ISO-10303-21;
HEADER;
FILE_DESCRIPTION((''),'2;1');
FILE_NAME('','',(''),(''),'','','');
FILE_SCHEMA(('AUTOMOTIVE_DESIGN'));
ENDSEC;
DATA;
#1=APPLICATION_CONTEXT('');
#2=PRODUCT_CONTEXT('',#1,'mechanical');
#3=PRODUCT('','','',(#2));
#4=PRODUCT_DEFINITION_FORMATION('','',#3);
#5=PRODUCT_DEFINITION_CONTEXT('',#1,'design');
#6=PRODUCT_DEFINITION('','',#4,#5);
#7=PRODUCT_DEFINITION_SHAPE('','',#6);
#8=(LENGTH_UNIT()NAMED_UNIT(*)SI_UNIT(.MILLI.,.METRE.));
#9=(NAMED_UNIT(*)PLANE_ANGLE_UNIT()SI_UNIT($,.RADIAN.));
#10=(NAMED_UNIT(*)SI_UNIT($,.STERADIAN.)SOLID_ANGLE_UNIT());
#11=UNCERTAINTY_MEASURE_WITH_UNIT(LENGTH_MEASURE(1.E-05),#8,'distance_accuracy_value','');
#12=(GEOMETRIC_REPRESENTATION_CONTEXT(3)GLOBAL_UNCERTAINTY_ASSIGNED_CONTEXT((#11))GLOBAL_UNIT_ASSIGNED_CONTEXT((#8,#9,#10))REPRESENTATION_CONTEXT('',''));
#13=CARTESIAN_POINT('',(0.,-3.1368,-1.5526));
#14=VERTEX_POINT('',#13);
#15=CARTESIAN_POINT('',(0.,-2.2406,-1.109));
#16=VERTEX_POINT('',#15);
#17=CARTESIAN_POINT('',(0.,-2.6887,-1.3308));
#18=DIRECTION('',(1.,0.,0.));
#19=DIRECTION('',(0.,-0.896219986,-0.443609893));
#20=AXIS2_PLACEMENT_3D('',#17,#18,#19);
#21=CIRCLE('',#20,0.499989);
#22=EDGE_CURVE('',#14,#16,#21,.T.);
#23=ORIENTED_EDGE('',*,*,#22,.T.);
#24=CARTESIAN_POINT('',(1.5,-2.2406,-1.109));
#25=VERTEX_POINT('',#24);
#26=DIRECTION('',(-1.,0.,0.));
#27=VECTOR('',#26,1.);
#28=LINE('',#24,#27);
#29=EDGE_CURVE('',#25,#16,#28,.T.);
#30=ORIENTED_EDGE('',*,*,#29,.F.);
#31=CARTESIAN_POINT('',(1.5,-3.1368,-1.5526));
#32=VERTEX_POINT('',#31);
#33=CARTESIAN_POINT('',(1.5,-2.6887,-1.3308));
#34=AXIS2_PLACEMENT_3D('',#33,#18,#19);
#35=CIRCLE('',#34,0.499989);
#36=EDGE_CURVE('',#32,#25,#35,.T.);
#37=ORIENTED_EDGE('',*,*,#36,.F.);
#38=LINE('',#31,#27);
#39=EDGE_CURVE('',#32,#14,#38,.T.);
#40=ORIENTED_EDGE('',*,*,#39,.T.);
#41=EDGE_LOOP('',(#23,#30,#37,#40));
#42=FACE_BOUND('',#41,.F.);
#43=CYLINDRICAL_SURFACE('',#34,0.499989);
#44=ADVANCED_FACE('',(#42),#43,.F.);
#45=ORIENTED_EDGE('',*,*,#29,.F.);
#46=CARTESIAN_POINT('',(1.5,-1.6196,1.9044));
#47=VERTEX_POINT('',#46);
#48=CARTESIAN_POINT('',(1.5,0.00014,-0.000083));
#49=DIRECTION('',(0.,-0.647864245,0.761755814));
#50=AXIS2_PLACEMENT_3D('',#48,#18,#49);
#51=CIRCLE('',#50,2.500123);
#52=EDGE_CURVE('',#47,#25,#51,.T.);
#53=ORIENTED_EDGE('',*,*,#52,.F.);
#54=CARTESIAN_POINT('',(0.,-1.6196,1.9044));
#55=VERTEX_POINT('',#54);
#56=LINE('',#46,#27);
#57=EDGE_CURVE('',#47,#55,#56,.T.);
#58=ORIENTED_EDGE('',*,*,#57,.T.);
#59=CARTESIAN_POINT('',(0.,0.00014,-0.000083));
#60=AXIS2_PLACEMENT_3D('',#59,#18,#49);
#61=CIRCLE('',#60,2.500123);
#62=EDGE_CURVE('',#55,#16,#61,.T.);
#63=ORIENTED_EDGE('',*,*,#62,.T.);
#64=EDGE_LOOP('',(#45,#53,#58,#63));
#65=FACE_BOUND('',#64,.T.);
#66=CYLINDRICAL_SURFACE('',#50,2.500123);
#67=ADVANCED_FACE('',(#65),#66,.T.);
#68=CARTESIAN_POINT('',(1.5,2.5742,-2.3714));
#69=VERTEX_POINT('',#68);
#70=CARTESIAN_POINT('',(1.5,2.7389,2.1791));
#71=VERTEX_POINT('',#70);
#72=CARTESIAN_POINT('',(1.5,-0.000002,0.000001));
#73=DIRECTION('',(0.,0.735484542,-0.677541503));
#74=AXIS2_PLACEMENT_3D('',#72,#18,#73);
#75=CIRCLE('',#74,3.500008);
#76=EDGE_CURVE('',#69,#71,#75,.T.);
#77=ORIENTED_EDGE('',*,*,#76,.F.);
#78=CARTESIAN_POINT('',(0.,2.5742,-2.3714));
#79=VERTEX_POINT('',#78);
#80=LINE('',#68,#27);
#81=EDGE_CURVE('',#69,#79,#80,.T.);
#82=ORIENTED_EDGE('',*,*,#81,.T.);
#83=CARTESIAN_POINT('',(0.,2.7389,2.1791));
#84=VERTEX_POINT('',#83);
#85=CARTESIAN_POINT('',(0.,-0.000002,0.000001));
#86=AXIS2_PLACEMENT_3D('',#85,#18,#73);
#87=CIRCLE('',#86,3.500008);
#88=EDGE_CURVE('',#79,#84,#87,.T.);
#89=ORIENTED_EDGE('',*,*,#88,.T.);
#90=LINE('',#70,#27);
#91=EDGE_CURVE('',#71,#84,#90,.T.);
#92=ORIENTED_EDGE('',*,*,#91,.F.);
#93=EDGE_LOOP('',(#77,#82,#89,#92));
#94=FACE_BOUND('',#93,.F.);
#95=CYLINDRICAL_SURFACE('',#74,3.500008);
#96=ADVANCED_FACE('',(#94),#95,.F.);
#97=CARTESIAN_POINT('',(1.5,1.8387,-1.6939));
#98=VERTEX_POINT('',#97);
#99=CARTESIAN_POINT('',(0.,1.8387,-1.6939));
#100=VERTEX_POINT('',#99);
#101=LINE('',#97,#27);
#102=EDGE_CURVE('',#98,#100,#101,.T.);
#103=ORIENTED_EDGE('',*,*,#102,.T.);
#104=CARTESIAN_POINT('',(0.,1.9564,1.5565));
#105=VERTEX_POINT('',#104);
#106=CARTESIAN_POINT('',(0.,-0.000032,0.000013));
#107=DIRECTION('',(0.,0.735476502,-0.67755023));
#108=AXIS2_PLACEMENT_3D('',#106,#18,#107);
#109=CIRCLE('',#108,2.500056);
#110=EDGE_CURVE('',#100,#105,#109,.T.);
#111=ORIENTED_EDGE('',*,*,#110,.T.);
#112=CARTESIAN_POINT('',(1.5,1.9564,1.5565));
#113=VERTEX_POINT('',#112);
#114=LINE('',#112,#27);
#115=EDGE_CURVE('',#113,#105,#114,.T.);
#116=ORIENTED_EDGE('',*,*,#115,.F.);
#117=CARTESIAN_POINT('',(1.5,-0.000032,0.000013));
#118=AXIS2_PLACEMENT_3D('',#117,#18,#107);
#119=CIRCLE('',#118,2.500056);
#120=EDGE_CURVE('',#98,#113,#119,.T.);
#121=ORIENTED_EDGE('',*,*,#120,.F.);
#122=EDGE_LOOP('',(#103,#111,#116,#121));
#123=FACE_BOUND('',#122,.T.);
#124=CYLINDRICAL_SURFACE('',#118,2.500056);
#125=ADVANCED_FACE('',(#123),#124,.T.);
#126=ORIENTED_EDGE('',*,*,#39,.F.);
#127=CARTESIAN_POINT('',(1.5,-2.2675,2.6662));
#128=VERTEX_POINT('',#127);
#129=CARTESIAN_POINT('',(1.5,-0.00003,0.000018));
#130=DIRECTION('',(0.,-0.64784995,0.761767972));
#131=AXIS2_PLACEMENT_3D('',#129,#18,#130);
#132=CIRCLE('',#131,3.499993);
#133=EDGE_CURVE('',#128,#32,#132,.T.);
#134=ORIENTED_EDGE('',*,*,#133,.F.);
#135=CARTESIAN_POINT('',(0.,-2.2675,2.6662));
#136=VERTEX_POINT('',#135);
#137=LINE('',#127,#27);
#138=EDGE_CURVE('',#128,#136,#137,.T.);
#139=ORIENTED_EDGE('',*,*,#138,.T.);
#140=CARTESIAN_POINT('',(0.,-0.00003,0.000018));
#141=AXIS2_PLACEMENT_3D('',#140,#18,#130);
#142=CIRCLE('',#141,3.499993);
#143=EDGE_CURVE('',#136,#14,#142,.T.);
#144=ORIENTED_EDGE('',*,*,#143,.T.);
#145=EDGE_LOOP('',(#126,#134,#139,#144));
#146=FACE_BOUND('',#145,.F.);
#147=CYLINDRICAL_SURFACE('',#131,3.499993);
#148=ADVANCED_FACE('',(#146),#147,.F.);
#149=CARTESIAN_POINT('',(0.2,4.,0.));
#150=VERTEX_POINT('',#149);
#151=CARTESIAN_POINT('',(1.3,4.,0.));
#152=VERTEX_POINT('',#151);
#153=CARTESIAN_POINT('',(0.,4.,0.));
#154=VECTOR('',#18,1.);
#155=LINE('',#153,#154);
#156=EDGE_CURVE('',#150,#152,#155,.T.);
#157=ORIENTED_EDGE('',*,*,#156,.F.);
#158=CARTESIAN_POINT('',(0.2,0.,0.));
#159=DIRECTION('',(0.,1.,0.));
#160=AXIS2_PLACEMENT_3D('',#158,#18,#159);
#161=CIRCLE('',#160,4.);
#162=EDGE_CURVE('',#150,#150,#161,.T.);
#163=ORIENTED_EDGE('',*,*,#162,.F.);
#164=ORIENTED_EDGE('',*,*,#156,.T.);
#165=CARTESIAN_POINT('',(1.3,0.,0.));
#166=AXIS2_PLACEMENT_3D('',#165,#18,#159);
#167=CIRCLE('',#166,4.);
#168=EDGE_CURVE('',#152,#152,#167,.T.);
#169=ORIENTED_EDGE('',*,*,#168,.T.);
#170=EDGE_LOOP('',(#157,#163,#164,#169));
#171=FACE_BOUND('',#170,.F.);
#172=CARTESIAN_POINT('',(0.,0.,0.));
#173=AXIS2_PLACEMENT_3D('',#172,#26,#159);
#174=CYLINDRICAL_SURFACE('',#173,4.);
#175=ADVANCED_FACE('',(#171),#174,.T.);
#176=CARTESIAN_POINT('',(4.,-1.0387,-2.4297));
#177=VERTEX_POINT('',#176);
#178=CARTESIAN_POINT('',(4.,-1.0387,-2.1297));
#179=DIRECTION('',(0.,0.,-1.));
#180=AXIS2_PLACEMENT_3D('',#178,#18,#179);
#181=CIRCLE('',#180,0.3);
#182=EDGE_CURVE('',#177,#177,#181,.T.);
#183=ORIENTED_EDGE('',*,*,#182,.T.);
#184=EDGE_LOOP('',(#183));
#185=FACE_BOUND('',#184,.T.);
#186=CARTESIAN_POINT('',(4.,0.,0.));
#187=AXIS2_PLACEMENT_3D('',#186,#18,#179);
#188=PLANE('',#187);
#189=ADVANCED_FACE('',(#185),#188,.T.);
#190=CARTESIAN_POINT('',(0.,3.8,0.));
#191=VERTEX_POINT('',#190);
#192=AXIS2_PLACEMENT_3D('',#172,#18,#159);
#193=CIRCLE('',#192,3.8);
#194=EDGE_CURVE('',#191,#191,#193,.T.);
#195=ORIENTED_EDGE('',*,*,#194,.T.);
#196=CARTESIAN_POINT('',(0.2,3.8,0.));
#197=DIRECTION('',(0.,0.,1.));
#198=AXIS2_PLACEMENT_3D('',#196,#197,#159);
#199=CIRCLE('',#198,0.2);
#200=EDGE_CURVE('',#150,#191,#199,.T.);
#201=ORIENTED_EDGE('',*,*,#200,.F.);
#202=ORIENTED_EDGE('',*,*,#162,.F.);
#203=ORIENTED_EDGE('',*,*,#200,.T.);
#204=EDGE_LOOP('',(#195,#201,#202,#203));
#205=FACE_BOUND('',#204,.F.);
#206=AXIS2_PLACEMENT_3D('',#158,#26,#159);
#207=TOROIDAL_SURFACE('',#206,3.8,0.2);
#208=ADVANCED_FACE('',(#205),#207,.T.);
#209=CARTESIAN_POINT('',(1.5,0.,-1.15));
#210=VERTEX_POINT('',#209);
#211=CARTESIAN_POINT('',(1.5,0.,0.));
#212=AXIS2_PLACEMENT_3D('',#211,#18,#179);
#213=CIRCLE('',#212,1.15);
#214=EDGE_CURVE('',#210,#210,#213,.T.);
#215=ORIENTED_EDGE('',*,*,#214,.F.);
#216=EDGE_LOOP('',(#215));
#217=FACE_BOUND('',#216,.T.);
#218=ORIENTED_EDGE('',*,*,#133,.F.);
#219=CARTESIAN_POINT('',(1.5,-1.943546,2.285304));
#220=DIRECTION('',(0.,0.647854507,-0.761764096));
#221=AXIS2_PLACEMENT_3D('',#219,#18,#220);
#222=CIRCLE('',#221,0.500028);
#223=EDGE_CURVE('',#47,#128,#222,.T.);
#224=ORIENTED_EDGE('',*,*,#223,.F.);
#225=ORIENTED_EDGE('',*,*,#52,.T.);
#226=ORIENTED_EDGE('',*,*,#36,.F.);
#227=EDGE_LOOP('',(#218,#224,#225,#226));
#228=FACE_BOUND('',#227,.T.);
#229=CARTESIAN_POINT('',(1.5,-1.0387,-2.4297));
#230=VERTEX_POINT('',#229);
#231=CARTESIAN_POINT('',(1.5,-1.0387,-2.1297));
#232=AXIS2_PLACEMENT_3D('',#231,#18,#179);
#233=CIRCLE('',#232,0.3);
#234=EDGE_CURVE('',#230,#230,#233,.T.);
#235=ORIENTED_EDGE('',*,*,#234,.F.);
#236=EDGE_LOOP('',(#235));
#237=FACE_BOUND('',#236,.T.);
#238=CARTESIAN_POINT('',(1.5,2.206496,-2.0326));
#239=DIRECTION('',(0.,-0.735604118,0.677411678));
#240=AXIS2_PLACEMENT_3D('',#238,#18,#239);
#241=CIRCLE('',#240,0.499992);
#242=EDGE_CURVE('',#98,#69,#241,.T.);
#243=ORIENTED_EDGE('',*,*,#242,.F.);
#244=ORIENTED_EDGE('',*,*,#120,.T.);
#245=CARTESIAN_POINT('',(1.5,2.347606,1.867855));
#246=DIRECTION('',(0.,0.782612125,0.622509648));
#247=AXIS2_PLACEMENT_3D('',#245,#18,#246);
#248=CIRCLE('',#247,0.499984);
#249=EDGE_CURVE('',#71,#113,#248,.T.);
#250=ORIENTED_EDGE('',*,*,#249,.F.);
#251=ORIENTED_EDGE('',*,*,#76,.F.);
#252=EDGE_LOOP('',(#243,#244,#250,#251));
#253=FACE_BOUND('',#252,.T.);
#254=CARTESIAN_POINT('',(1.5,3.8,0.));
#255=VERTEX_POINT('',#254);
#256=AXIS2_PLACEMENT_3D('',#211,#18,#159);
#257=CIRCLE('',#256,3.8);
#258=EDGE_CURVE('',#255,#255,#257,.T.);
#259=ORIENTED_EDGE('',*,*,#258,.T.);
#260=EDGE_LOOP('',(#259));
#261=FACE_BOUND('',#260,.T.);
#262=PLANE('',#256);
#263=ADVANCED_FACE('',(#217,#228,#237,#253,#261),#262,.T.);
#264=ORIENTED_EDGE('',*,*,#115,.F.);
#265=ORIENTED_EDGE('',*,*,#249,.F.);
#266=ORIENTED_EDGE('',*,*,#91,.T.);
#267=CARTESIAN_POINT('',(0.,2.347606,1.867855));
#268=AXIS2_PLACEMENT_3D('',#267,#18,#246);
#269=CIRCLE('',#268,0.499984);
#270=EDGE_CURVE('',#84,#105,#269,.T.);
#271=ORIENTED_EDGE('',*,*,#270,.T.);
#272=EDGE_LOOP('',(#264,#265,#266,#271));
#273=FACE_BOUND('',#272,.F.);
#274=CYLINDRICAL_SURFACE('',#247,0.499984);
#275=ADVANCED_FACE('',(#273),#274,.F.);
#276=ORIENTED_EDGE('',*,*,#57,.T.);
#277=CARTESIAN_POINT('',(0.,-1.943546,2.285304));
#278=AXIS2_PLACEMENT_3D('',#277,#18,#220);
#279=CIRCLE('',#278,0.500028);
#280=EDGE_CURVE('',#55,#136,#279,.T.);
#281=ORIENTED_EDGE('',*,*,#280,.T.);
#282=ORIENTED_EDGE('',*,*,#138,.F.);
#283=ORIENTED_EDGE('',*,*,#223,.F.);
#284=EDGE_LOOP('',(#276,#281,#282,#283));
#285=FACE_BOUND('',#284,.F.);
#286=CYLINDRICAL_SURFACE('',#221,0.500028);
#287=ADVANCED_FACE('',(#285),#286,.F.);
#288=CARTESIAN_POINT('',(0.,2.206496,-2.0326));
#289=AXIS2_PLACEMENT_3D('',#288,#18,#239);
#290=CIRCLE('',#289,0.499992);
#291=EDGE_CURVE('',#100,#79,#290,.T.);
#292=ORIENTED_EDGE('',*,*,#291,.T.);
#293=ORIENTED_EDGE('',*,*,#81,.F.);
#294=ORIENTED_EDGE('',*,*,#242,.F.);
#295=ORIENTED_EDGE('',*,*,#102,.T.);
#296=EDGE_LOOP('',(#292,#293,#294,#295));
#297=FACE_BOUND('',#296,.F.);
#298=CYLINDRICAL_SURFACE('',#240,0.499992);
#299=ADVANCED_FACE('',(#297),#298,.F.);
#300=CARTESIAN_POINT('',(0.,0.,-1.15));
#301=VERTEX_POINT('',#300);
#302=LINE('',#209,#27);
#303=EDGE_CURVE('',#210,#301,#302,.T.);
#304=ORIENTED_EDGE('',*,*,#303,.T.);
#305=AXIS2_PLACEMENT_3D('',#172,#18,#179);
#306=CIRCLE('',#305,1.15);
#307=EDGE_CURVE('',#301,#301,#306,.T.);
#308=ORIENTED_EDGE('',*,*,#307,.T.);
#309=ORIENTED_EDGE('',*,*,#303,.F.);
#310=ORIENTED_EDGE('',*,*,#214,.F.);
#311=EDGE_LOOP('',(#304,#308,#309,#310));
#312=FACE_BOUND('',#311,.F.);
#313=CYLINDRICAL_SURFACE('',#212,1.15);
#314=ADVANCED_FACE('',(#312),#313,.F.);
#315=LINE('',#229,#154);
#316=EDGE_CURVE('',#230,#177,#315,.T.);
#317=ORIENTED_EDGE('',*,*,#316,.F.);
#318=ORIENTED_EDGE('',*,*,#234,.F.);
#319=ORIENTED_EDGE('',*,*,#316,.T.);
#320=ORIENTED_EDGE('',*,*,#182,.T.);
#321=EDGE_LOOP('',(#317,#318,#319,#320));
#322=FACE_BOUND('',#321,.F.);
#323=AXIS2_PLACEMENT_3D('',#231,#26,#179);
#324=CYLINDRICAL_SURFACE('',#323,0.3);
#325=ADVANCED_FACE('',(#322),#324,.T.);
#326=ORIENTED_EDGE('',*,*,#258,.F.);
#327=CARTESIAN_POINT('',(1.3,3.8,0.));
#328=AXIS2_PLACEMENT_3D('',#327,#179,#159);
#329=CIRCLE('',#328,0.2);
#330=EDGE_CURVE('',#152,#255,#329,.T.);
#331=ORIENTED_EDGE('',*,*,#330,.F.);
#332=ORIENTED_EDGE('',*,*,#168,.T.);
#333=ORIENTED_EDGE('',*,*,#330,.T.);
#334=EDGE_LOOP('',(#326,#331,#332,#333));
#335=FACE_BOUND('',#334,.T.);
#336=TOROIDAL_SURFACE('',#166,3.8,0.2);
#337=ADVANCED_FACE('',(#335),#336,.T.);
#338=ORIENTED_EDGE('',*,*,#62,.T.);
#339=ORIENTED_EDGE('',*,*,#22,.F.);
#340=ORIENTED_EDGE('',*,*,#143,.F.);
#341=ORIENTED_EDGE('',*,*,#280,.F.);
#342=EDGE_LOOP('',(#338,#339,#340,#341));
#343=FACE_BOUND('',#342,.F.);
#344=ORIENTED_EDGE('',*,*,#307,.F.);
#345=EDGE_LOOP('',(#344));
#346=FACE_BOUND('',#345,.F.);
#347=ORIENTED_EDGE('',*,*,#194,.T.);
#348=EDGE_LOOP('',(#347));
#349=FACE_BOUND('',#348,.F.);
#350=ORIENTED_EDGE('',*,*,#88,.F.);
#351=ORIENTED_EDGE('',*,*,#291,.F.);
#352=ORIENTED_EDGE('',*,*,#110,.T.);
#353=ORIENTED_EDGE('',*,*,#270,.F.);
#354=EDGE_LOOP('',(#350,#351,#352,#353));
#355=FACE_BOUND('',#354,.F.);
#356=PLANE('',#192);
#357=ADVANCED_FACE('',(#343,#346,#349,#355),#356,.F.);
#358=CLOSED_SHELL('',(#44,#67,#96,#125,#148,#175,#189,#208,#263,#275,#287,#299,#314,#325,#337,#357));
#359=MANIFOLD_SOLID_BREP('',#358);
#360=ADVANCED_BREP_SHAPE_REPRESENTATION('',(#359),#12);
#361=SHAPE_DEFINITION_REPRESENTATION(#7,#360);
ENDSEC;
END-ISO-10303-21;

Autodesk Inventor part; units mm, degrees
ref_plane "YZ Plane" through (0, 0, 0) normal (1, 0, 0) x (0, 1, 0)
ref_plane "XZ Plane" through (0, 0, 0) normal (0, 1, 0) x (-1, 0, 0)
ref_plane "XY Plane" through (0, 0, 0) normal (0, 0, 1) x (1, 0, 0)
sketch "Sketch1" plane through (0, 0, 0) normal (1, 0, 0) x (0, 1, 0)
  circle A0 centre (0, 0) radius 4
  dimension "d0" = 8
extrude "Extrusion1" add sketch "Sketch1" along normal blind 1.5
sketch "Sketch2" plane through (1.5, 0, 0) normal (1, 0, 0) x (0, 0, -1)
  circle A0 centre (0, 0) radius 1.15
  arc A1 (-2.1791, 2.7389) -> (-1.5565, 1.9564) centre (-1.8678, 2.3476) ccw
  arc A2 (1.6939, 1.8387) -> (2.3714, 2.5742) centre (2.0326, 2.2065) ccw
  arc A3 (-1.9044, -1.6196) -> (-2.6662, -2.2675) centre (-2.2853, -1.9435) ccw
  arc A4 (1.5526, -3.1368) -> (1.109, -2.2406) centre (1.3308, -2.6887) ccw
  arc A5 (-1.9044, -1.6196) -> (1.109, -2.2406) centre (0, 0) ccw
  arc A6 (1.6939, 1.8387) -> (-1.5565, 1.9564) centre (0, 0) ccw
  arc A7 (-2.6662, -2.2675) -> (1.5526, -3.1368) centre (0, 0) ccw
  arc A8 (2.3714, 2.5742) -> (-2.1791, 2.7389) centre (0, 0) ccw
  dimension "d5" = 2.3
  dimension "d6" = 1
  dimension "d7" = 1
  dimension "d8" = 1
  dimension "d9" = 1
extrude "Extrusion2" cut sketch "Sketch2" against normal blind 2
fillet "Fillet1" radius 0.2 1 edges at (1.5, -4, 0)
fillet "Fillet2" radius 0.2 1 edges at (0, -4, 0)
sketch "Sketch6" plane through (1.5, 0, 0) normal (1, 0, 0) x (0, 0, -1)
  circle A0 centre (2.1297, -1.0387) radius 0.3
  point P0 (0, 0)
  dimension "d20" = 0.6
extrude "Extrusion5" add sketch "Sketch6" along normal blind 2.5
sketch "Sketch7" plane through (0, 0, 0) normal (-1, 0, 0) x (0, 0, 1)
  point P0 (0, 0)
properties part number "compression wheel"
